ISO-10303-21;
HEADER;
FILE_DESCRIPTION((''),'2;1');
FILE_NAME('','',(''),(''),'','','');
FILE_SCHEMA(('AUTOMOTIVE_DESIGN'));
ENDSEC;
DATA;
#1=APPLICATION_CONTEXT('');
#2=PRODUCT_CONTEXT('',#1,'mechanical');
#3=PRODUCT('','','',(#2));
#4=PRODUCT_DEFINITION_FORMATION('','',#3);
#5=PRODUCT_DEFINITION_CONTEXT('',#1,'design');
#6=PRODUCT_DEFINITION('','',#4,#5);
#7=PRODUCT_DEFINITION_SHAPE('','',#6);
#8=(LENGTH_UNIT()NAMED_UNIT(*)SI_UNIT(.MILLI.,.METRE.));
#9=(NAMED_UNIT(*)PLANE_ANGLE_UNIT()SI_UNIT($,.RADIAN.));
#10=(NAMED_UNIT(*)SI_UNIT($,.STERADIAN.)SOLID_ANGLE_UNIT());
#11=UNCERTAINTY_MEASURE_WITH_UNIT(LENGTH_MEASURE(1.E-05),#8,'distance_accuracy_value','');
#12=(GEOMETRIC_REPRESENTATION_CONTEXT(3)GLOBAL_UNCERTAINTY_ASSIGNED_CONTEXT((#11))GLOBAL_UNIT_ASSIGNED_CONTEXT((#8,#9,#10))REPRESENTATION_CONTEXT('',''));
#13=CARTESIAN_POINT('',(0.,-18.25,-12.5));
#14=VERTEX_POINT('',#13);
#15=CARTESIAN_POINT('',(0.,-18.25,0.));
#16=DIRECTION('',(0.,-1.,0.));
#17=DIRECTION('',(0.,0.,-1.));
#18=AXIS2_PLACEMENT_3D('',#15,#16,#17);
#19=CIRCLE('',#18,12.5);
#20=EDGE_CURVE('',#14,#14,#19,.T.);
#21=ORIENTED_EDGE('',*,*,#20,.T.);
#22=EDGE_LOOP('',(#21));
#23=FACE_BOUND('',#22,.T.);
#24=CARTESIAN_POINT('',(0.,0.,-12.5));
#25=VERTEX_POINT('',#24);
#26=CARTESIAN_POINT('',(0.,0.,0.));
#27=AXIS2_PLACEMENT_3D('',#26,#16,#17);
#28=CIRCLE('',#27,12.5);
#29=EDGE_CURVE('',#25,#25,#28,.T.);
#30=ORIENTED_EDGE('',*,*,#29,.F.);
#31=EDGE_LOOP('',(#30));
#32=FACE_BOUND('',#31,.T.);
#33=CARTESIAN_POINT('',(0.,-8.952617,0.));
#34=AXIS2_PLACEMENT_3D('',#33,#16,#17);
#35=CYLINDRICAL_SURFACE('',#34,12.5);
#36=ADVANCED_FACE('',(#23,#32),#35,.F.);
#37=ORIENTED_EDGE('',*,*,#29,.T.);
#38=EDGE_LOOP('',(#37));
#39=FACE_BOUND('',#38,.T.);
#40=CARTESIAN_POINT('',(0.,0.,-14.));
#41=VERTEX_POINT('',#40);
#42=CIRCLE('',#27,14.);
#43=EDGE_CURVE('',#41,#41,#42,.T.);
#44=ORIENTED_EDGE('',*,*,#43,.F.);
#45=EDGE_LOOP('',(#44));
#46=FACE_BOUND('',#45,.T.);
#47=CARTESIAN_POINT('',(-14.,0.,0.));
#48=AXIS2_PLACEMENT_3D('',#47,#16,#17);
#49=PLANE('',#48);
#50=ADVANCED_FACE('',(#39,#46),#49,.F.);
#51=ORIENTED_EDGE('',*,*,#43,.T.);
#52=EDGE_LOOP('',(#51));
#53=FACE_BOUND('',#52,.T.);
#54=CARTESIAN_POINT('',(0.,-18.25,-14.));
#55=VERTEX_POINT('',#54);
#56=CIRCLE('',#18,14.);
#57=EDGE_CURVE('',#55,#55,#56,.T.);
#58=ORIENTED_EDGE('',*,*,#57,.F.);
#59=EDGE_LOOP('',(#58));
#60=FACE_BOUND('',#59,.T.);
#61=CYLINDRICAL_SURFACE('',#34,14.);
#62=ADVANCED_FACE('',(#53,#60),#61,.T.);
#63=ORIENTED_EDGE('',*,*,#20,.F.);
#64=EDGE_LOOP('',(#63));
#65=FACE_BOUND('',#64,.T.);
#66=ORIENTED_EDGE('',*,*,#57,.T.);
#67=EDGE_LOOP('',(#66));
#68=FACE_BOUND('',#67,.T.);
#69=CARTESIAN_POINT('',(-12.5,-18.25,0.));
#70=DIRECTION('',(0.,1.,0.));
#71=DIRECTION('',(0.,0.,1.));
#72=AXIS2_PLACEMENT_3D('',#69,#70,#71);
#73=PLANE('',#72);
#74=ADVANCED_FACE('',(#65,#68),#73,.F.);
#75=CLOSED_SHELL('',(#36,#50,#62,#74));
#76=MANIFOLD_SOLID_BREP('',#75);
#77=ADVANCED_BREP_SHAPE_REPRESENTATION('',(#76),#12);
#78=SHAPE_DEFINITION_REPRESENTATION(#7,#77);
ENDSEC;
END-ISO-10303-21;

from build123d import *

# Parameters (mm, degrees)
SKETCH1_W = 1.5
SKETCH1_H = 18.25


with BuildPart() as part:
    # Sketch1 → Revolve1 (revolve)
    with BuildSketch(Plane.XY, mode=Mode.PRIVATE) as revolve1_sk:
        with Locations((-13.25, -9.125)):
            Rectangle(SKETCH1_W, SKETCH1_H)
    revolve(revolve1_sk.sketch.rotate(Axis((0, -8.952616861, 0), (0, 1, 0)), 270), axis=Axis((0, -8.952616861, 0), (0, 1, 0)))


solid = part.part
